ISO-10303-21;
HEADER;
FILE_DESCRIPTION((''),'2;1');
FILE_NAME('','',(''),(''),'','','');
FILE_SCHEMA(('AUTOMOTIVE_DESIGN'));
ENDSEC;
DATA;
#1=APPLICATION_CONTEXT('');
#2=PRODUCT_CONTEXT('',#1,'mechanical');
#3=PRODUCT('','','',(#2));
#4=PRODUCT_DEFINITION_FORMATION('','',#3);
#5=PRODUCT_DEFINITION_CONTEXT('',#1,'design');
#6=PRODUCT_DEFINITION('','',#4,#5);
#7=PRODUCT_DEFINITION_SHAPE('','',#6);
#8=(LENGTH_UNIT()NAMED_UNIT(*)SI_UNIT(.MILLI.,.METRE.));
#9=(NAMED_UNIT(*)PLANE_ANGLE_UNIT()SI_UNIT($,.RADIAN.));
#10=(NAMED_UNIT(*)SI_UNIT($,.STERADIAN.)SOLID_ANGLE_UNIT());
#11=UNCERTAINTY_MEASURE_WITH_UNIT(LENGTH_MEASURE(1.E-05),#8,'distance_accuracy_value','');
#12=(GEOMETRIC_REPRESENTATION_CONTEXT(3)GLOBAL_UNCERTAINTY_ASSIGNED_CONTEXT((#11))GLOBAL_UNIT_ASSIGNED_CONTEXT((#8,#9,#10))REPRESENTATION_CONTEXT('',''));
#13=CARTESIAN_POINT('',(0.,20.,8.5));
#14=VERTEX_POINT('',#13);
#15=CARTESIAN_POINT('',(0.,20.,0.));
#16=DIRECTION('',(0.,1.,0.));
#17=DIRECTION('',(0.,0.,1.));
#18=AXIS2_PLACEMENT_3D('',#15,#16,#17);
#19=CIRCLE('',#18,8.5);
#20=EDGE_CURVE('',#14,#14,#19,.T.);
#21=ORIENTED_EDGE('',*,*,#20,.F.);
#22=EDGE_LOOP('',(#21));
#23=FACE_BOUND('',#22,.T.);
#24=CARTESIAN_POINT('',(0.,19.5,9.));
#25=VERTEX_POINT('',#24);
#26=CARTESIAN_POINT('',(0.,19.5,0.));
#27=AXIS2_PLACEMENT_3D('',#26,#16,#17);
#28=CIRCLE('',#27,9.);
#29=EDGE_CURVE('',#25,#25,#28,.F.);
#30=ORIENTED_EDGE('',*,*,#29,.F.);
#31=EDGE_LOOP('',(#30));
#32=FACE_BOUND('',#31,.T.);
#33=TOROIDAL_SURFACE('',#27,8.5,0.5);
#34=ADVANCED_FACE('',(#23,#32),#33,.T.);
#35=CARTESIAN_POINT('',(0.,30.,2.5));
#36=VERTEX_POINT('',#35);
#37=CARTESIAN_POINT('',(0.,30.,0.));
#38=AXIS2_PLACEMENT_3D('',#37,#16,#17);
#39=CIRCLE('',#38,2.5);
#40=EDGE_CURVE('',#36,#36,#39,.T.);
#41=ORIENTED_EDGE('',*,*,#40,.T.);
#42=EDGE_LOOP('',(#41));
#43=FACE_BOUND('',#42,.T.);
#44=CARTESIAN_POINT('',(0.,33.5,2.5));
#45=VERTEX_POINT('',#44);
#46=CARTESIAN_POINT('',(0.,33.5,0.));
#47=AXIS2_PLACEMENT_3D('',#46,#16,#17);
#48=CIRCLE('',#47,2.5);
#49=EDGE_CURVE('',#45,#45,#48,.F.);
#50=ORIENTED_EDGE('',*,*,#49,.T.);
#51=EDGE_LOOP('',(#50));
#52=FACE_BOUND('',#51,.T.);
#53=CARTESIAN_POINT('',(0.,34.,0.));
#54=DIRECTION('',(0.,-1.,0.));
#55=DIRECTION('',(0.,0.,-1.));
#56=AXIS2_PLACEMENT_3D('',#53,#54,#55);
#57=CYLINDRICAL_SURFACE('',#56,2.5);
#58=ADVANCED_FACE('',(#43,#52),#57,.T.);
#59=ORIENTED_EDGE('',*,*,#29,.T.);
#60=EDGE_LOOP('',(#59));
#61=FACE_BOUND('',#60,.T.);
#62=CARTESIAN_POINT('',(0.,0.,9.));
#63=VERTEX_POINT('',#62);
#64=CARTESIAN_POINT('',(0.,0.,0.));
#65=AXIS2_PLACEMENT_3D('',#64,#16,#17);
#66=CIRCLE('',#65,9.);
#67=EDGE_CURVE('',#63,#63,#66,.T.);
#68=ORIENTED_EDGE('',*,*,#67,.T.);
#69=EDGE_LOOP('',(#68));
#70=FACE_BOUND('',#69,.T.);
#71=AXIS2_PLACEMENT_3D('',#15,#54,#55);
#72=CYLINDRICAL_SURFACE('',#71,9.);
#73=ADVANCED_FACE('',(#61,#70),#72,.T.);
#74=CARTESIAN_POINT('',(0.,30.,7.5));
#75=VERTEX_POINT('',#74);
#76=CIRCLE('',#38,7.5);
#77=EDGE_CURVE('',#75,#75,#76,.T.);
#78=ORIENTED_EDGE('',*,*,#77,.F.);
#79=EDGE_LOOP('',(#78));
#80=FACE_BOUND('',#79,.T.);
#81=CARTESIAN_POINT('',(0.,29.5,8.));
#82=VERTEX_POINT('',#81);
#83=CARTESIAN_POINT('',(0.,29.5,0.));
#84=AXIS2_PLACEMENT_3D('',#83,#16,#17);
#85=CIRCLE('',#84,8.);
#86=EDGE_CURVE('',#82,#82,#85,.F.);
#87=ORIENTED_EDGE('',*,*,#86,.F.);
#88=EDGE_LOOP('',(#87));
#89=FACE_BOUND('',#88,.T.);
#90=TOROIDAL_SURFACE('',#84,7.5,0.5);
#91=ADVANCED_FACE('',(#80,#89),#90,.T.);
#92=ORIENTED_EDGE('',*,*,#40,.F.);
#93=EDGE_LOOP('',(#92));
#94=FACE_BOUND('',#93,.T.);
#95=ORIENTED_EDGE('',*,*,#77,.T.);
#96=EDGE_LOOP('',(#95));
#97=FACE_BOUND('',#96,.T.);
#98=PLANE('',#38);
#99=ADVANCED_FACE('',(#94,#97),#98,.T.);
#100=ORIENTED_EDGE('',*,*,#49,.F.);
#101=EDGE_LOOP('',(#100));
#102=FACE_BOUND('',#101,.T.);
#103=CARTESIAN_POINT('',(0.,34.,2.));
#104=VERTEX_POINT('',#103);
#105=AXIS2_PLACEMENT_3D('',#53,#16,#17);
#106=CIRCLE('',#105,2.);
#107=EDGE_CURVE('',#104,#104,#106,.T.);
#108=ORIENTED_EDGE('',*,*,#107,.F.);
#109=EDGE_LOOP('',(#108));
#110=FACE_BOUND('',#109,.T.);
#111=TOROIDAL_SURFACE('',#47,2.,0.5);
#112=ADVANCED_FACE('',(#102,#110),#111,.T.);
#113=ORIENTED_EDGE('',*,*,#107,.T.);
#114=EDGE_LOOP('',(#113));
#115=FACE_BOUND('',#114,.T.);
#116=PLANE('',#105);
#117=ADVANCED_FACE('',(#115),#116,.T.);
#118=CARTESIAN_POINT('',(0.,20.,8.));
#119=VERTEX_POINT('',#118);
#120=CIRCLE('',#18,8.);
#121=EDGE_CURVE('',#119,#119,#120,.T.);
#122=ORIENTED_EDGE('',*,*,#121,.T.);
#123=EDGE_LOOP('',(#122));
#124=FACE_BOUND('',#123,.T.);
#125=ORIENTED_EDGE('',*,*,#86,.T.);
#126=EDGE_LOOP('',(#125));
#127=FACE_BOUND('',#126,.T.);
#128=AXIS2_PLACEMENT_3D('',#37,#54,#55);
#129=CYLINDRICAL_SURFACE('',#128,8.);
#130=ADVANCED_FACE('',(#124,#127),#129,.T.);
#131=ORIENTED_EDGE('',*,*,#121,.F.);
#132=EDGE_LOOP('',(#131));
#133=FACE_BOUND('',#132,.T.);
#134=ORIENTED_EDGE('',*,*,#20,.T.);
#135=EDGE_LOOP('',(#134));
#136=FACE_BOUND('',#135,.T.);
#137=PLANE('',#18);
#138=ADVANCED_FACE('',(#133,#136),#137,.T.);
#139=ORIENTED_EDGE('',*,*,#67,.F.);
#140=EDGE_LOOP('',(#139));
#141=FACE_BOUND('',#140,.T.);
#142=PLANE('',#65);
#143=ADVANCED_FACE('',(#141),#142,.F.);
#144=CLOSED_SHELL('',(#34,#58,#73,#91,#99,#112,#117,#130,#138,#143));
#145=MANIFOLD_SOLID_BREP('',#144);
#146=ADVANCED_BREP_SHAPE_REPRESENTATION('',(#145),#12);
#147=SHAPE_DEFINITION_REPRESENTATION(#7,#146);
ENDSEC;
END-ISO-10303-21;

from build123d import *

# Parameters (mm, degrees)
SKETCH1_R           = 9
BOSS_EXTRUDE1_DEPTH = 20
SKETCH2_R           = 8
BOSS_EXTRUDE2_DEPTH = 10
SKETCH3_R           = 2.5
BOSS_EXTRUDE3_DEPTH = 4
FILLET1_R           = 0.5


with BuildPart() as part:
    # Sketch1 → Boss-Extrude1 (new body)
    with BuildSketch(Plane(origin=(0, 0, 0), x_dir=(1, 0, 0), z_dir=(0, 1, 0))):
        with Locations(Location((0, 0, 0), (0, 0, 270))):
            Circle(SKETCH1_R)
    extrude(amount=BOSS_EXTRUDE1_DEPTH)

    # Sketch2 → Boss-Extrude2 (add)
    with BuildSketch(Plane(origin=(0, 20, 0), x_dir=(1, 0, 0), z_dir=(0, 1, 0))):
        with Locations(Location((0, 0, 0), (0, 0, 270))):
            Circle(SKETCH2_R)
    extrude(amount=BOSS_EXTRUDE2_DEPTH)

    # Sketch3 → Boss-Extrude3 (add)
    with BuildSketch(Plane(origin=(0, 30, 0), x_dir=(1, 0, 0), z_dir=(0, 1, 0))):
        with Locations(Location((0, 0, 0), (0, 0, 270))):
            Circle(SKETCH3_R)
    extrude(amount=BOSS_EXTRUDE3_DEPTH)

    # Fillet1
    fillet1_edges = [part.edges().sort_by_distance(p)[0] for p in [
        (0, 34, -2.5),
        (0, 20, -9),
        (0, 30, -8),
    ]]
    fillet(fillet1_edges, radius=FILLET1_R)


solid = part.part
